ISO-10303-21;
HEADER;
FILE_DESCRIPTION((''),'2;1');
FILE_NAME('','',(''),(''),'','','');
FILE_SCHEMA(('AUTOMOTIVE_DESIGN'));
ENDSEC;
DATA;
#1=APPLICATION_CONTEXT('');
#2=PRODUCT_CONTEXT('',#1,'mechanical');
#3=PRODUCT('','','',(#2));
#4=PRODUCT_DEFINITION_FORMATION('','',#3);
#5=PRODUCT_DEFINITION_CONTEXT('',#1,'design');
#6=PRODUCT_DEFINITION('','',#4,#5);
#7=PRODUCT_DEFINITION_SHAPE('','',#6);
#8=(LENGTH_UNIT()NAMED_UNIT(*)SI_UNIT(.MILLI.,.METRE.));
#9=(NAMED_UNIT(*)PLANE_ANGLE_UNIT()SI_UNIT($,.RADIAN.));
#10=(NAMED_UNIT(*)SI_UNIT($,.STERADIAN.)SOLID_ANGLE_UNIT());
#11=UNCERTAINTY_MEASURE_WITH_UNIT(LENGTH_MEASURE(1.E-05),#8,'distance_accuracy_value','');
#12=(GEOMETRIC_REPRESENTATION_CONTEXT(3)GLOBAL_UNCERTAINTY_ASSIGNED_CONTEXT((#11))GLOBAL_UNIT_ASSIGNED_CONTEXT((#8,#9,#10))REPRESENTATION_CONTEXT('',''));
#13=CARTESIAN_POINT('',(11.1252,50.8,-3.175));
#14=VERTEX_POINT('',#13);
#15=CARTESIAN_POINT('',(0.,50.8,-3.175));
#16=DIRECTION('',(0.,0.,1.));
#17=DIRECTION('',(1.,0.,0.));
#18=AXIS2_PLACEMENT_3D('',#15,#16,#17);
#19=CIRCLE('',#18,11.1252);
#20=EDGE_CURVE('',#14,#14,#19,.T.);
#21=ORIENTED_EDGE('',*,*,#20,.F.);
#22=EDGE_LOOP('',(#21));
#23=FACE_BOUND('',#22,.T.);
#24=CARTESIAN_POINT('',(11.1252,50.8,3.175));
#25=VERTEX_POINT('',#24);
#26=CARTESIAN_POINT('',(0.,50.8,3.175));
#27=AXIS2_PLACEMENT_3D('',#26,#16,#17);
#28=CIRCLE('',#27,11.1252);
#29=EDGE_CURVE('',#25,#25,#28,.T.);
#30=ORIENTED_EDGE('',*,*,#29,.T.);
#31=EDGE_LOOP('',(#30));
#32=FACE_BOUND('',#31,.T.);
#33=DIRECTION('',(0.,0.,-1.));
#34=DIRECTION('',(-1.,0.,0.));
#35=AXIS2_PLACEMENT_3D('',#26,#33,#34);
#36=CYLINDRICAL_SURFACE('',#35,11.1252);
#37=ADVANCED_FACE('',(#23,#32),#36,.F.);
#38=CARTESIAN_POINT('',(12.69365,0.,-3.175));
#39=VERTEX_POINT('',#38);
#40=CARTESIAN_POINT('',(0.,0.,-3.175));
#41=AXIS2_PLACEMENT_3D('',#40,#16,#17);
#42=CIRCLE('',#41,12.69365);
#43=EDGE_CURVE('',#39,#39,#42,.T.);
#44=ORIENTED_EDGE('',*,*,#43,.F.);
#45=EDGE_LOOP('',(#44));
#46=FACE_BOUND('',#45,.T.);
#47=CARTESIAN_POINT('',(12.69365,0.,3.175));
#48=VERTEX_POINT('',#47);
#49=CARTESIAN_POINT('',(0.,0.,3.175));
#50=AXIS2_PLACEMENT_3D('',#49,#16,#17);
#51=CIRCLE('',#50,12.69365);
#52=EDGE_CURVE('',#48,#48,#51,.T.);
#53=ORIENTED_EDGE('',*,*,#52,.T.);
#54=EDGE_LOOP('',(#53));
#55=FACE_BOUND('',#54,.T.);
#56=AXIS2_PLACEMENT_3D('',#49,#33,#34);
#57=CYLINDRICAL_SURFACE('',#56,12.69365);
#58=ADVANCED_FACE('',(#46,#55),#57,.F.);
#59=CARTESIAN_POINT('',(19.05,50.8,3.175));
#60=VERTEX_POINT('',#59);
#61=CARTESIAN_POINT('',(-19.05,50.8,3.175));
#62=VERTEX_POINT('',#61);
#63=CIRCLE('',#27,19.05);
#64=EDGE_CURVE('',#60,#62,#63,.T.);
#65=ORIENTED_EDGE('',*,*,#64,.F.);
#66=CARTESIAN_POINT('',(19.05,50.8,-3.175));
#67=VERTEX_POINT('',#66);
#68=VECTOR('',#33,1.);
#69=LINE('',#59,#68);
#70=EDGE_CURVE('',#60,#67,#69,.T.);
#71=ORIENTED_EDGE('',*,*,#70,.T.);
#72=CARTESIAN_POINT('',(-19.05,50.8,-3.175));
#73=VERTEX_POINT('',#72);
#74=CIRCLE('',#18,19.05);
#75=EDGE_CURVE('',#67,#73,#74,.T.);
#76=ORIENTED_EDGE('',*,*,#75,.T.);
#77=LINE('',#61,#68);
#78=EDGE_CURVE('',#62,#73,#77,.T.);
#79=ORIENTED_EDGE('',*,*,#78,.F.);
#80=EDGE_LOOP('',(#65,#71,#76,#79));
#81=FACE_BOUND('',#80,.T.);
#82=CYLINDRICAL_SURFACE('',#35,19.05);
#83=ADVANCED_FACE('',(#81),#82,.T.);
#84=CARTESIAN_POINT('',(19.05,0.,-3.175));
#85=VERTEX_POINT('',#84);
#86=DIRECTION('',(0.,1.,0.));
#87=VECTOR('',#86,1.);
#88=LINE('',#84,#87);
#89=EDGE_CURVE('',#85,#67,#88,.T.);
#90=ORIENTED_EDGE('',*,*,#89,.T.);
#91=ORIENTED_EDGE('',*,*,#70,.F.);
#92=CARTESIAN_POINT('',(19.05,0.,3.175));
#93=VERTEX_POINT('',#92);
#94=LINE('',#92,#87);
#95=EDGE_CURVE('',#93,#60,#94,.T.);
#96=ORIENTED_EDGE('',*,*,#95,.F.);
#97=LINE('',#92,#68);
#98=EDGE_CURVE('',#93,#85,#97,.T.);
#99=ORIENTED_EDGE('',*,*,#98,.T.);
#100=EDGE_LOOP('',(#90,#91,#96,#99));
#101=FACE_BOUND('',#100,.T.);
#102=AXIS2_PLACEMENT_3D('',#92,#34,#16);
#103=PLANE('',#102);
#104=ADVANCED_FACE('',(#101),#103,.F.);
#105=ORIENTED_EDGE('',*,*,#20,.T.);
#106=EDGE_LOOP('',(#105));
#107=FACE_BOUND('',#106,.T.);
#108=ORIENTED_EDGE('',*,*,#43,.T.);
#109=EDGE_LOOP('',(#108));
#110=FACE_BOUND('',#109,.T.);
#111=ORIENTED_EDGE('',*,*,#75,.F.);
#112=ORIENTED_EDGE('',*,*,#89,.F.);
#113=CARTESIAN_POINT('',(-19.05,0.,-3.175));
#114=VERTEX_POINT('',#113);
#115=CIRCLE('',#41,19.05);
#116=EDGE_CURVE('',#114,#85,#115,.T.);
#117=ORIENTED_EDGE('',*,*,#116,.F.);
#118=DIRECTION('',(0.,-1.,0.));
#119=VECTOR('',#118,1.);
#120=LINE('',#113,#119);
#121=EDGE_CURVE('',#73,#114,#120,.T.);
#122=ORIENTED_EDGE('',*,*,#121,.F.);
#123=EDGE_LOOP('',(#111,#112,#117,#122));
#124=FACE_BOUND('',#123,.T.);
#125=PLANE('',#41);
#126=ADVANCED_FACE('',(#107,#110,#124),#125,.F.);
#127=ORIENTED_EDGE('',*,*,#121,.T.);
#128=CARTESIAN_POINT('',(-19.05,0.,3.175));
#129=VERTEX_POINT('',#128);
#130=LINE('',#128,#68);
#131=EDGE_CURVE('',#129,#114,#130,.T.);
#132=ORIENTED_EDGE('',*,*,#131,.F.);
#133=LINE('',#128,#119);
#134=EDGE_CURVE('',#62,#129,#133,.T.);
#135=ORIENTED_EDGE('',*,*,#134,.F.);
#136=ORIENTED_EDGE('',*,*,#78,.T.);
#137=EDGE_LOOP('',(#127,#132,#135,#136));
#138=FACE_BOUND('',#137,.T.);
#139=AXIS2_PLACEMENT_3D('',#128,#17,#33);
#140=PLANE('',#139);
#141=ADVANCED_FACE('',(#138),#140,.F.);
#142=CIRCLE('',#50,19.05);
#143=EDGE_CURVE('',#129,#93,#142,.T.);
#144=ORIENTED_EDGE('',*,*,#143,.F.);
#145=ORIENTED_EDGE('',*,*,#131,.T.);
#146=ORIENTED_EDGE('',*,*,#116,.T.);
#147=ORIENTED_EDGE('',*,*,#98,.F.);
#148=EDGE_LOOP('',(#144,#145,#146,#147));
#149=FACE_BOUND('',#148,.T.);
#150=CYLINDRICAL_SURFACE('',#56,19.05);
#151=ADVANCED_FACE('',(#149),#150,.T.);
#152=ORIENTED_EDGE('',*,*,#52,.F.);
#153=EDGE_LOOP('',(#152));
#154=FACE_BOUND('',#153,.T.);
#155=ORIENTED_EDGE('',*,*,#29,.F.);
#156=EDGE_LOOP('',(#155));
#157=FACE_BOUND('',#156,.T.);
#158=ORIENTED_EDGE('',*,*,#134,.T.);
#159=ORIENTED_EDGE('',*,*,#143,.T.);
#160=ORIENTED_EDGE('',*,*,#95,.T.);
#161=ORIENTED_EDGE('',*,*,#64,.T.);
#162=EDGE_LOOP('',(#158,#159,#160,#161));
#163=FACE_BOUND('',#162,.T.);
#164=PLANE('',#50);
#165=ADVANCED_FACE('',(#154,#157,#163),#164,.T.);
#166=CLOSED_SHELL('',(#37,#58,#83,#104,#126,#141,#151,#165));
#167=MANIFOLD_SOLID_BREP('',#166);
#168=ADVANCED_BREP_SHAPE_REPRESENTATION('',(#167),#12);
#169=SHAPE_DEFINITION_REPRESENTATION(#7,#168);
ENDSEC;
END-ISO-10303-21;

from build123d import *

# Parameters (mm, degrees)
SKETCH2_R           = 11.1252
SKETCH2_R_2         = 12.69365
BOSS_EXTRUDE1_DEPTH = 3.175


with BuildPart() as part:
    # Sketch2 → Boss-Extrude1 (new, symmetric)
    with BuildSketch(Plane.XY):
        with BuildLine():
            Line((-19.05, 0), (-19.05, 50.8))
            ThreePointArc((-19.05, 50.8), (0, 69.85), (19.05, 50.8))
            Line((19.05, 50.8), (19.05, 0))
            ThreePointArc((19.05, 0), (0, -19.05), (-19.05, 0))
        make_face()
        with Locations((0, 50.8)):
            Circle(SKETCH2_R, mode=Mode.SUBTRACT)
        Circle(SKETCH2_R_2, mode=Mode.SUBTRACT)
    extrude(amount=BOSS_EXTRUDE1_DEPTH, both=True)


solid = part.part
